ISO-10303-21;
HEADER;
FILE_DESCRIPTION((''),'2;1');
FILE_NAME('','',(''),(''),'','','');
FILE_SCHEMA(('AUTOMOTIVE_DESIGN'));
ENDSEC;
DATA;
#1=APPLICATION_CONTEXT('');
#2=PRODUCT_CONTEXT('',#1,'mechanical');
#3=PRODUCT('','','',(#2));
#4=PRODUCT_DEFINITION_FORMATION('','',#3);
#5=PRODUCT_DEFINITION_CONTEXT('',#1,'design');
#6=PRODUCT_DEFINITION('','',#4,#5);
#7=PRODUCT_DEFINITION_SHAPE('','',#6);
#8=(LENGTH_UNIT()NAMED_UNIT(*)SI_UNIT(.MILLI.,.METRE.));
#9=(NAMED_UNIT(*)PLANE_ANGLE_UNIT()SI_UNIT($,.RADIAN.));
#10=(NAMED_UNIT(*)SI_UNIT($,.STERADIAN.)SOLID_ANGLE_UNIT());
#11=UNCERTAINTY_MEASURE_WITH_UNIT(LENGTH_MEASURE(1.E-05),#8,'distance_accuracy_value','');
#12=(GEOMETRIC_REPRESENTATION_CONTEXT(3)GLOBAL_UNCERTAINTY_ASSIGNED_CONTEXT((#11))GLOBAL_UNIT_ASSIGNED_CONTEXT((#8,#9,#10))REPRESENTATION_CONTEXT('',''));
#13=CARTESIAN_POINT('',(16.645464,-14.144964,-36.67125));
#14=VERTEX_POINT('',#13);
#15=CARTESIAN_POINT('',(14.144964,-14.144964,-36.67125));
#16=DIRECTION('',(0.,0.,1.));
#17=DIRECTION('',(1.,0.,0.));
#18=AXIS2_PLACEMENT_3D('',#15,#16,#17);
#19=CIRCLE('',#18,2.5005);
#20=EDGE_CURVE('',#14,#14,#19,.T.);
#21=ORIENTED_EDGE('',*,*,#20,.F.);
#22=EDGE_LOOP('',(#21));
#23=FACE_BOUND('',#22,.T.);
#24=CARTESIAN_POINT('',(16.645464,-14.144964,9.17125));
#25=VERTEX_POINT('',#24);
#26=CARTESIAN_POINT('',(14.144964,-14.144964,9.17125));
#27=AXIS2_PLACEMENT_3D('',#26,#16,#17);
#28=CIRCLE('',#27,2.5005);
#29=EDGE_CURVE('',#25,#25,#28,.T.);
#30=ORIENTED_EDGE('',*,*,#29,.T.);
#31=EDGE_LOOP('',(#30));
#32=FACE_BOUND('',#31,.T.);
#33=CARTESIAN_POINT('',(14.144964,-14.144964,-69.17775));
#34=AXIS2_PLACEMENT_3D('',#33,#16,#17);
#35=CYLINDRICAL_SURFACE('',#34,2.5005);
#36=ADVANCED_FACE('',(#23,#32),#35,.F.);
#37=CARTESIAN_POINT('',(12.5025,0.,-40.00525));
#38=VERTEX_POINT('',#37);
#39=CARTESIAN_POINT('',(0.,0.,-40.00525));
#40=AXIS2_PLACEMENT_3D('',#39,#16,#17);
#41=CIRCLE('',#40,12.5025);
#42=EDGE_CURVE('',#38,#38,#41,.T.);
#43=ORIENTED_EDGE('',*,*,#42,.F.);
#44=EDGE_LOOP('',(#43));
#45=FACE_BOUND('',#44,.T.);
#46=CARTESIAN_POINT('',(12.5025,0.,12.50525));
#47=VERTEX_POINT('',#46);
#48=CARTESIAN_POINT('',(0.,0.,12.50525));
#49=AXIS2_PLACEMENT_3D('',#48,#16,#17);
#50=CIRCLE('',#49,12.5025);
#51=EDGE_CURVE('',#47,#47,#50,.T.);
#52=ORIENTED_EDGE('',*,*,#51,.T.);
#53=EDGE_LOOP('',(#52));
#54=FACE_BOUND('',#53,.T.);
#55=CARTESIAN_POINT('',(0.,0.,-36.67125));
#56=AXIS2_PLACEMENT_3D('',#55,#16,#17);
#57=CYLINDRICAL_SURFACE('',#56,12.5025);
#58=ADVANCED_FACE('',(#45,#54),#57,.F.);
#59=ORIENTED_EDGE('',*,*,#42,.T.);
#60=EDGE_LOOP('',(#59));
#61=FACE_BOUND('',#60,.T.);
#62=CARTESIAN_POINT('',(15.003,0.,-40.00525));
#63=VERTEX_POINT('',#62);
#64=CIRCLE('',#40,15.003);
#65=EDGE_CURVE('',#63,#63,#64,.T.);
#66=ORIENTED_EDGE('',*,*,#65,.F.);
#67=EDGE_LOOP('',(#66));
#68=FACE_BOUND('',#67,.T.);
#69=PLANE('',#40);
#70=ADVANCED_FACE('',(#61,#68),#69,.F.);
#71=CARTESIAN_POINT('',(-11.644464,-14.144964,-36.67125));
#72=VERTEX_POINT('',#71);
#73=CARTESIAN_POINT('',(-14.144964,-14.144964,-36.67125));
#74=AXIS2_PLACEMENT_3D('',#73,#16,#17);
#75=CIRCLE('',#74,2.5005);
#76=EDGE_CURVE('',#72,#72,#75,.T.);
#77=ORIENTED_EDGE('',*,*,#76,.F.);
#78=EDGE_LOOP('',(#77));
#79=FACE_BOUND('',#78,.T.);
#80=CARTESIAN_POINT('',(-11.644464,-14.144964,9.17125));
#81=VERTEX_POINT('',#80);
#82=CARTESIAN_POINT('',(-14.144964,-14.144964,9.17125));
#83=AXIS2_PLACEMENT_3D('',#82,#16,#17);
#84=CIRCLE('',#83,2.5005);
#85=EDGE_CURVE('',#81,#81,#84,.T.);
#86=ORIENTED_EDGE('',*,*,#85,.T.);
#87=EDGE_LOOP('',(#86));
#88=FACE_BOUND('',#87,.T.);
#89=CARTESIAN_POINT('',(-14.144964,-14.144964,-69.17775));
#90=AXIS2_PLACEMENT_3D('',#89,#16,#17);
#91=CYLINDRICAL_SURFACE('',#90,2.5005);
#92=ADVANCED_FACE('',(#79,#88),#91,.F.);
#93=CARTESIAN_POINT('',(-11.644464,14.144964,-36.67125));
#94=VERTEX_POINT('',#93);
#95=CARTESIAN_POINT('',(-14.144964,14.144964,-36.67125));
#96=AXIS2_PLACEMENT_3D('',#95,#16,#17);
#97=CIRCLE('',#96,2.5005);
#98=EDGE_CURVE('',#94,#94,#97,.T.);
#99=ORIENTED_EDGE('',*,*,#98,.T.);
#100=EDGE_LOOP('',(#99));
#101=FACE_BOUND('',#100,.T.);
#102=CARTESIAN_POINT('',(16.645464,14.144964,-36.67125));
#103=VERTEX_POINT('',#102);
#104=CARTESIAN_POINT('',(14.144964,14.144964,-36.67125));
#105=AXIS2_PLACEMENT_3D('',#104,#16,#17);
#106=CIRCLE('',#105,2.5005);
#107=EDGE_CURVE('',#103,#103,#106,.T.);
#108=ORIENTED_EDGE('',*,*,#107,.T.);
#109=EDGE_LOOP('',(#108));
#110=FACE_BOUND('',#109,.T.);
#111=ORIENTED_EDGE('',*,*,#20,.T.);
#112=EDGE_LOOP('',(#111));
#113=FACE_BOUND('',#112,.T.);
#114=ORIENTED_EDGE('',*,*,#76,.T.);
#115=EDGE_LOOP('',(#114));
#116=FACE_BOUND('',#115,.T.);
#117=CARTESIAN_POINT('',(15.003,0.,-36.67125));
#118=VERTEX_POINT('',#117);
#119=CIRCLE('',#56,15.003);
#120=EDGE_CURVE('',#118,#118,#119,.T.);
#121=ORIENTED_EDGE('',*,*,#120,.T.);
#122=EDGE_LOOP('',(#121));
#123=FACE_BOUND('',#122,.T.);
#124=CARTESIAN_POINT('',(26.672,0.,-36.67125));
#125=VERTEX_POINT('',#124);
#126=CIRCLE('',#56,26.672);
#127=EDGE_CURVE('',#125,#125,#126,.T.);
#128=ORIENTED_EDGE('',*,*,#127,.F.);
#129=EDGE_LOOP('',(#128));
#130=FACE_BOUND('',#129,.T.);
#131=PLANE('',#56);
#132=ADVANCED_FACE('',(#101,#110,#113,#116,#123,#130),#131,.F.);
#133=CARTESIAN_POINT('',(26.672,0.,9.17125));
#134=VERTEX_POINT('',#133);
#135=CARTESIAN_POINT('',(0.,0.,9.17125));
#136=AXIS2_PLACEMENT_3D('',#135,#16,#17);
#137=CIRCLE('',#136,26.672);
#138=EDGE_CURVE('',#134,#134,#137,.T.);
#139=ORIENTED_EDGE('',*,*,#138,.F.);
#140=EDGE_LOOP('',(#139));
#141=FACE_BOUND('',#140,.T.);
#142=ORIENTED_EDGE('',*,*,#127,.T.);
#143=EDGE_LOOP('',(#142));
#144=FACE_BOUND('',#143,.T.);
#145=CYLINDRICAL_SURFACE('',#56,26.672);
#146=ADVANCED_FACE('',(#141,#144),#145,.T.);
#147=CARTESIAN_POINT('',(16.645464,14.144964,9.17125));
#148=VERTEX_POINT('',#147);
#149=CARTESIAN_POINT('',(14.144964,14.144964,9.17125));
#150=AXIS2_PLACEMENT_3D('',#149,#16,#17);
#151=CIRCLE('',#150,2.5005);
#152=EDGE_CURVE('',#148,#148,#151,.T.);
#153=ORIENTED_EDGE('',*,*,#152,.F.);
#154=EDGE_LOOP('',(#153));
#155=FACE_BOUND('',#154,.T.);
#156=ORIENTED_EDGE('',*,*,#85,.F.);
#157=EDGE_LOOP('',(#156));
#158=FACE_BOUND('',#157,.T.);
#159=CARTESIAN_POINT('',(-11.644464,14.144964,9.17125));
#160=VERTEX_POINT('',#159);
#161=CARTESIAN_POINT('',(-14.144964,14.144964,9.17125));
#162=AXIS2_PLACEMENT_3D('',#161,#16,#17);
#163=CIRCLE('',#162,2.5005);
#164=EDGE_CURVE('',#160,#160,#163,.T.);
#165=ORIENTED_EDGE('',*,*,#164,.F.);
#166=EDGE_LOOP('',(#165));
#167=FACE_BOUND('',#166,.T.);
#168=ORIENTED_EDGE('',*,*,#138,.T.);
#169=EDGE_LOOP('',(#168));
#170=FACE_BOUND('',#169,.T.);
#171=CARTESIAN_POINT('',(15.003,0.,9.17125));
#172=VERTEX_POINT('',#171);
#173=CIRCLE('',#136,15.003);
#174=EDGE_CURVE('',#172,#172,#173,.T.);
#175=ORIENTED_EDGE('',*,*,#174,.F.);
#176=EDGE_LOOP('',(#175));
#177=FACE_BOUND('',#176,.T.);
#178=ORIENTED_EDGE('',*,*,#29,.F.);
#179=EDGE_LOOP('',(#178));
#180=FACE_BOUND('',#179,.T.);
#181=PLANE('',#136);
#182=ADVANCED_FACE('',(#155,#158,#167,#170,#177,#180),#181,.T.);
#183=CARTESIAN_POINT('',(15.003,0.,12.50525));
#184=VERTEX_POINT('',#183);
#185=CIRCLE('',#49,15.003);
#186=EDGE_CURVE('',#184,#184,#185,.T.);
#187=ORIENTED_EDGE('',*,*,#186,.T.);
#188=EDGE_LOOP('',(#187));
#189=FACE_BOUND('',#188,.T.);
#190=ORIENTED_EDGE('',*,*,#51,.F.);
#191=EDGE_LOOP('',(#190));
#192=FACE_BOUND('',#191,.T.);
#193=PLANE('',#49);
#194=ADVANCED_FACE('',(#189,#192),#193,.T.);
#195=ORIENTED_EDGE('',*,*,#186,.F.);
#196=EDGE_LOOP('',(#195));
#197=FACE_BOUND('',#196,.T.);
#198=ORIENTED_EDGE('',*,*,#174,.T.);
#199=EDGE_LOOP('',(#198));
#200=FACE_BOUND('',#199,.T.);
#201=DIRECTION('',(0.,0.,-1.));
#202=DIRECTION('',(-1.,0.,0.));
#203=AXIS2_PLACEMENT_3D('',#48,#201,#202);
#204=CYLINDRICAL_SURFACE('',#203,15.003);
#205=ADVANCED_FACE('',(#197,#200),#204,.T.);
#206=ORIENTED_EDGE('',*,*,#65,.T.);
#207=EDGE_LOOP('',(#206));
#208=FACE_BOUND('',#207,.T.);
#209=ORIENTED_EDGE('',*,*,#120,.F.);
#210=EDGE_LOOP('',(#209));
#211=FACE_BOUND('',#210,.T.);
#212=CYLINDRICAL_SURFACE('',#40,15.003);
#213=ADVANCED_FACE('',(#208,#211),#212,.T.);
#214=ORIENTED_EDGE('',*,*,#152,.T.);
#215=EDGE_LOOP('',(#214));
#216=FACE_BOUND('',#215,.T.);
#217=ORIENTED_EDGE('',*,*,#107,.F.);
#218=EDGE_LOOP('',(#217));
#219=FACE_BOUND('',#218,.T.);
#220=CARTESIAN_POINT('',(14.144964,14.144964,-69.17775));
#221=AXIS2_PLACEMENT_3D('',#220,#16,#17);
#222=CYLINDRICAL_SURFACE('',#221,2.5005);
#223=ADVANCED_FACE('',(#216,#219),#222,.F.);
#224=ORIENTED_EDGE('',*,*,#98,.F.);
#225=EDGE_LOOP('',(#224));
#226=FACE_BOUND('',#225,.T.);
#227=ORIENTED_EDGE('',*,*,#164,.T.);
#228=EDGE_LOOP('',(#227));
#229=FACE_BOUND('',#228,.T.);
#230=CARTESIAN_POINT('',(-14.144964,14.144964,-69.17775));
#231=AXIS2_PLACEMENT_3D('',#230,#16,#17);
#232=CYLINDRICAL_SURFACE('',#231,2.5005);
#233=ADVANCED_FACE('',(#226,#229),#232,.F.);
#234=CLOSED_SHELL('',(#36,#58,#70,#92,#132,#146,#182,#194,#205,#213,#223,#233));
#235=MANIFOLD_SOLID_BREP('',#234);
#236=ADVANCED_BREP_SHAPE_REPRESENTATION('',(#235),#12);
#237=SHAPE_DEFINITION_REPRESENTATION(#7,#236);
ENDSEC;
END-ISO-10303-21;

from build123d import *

# Parameters (mm, degrees)
SKETCH1_R           = 16
SKETCH1_R_2         = 9
SKETCH1_R_3         = 7.5
BOSS_EXTRUDE1_DEPTH = 27.5
SKETCH1_3_R         = 9
SKETCH1_3_R_2       = 7.5
BOSS_EXTRUDE2_DEPTH = 2
SKETCH3_R           = 1.5
CUT_EXTRUDE1_DEPTH  = 47
BOSS_EXTRUDE5_START = -27.5
SKETCH1_5_R         = 9
SKETCH1_5_R_2       = 7.5
BOSS_EXTRUDE5_DEPTH = 2
SCALE1_SCALE        = 1.667


with BuildPart() as part:
    # Sketch1 → Boss-Extrude1 (new body)
    with BuildSketch(Plane.XY):
        Circle(SKETCH1_R)
        Circle(SKETCH1_R_2, mode=Mode.SUBTRACT)
        Circle(SKETCH1_R_2)
        Circle(SKETCH1_R_3, mode=Mode.SUBTRACT)
    extrude(amount=-BOSS_EXTRUDE1_DEPTH)

    # Sketch1<3> → Boss-Extrude2 (add)
    with BuildSketch(Plane.XY):
        Circle(SKETCH1_3_R)
        Circle(SKETCH1_3_R_2, mode=Mode.SUBTRACT)
    extrude(amount=BOSS_EXTRUDE2_DEPTH)

    # Sketch3 → Cut-Extrude1 (cut)
    with BuildSketch(Plane.XY):
        with Locations((-8.485281374, 8.485281374)):
            Circle(SKETCH3_R)
        with Locations((8.485281374, 8.485281374)):
            Circle(SKETCH3_R)
        with Locations((8.485281374, -8.485281374)):
            Circle(SKETCH3_R)
        with Locations((-8.485281374, -8.485281374)):
            Circle(SKETCH3_R)
    extrude(amount=-CUT_EXTRUDE1_DEPTH, mode=Mode.SUBTRACT)

    # Sketch1<5> → Boss-Extrude5 (add)
    with BuildSketch(Plane.XY.offset(BOSS_EXTRUDE5_START)):
        Circle(SKETCH1_5_R)
        Circle(SKETCH1_5_R_2, mode=Mode.SUBTRACT)
    extrude(amount=-BOSS_EXTRUDE5_DEPTH)


with BuildPart() as part_1:
    # Scale1: scaled about (0, 0, -13.75)
    add(part.part.scale(SCALE1_SCALE).moved(Location((0, 0, 9.17125))))


solid = part_1.part
